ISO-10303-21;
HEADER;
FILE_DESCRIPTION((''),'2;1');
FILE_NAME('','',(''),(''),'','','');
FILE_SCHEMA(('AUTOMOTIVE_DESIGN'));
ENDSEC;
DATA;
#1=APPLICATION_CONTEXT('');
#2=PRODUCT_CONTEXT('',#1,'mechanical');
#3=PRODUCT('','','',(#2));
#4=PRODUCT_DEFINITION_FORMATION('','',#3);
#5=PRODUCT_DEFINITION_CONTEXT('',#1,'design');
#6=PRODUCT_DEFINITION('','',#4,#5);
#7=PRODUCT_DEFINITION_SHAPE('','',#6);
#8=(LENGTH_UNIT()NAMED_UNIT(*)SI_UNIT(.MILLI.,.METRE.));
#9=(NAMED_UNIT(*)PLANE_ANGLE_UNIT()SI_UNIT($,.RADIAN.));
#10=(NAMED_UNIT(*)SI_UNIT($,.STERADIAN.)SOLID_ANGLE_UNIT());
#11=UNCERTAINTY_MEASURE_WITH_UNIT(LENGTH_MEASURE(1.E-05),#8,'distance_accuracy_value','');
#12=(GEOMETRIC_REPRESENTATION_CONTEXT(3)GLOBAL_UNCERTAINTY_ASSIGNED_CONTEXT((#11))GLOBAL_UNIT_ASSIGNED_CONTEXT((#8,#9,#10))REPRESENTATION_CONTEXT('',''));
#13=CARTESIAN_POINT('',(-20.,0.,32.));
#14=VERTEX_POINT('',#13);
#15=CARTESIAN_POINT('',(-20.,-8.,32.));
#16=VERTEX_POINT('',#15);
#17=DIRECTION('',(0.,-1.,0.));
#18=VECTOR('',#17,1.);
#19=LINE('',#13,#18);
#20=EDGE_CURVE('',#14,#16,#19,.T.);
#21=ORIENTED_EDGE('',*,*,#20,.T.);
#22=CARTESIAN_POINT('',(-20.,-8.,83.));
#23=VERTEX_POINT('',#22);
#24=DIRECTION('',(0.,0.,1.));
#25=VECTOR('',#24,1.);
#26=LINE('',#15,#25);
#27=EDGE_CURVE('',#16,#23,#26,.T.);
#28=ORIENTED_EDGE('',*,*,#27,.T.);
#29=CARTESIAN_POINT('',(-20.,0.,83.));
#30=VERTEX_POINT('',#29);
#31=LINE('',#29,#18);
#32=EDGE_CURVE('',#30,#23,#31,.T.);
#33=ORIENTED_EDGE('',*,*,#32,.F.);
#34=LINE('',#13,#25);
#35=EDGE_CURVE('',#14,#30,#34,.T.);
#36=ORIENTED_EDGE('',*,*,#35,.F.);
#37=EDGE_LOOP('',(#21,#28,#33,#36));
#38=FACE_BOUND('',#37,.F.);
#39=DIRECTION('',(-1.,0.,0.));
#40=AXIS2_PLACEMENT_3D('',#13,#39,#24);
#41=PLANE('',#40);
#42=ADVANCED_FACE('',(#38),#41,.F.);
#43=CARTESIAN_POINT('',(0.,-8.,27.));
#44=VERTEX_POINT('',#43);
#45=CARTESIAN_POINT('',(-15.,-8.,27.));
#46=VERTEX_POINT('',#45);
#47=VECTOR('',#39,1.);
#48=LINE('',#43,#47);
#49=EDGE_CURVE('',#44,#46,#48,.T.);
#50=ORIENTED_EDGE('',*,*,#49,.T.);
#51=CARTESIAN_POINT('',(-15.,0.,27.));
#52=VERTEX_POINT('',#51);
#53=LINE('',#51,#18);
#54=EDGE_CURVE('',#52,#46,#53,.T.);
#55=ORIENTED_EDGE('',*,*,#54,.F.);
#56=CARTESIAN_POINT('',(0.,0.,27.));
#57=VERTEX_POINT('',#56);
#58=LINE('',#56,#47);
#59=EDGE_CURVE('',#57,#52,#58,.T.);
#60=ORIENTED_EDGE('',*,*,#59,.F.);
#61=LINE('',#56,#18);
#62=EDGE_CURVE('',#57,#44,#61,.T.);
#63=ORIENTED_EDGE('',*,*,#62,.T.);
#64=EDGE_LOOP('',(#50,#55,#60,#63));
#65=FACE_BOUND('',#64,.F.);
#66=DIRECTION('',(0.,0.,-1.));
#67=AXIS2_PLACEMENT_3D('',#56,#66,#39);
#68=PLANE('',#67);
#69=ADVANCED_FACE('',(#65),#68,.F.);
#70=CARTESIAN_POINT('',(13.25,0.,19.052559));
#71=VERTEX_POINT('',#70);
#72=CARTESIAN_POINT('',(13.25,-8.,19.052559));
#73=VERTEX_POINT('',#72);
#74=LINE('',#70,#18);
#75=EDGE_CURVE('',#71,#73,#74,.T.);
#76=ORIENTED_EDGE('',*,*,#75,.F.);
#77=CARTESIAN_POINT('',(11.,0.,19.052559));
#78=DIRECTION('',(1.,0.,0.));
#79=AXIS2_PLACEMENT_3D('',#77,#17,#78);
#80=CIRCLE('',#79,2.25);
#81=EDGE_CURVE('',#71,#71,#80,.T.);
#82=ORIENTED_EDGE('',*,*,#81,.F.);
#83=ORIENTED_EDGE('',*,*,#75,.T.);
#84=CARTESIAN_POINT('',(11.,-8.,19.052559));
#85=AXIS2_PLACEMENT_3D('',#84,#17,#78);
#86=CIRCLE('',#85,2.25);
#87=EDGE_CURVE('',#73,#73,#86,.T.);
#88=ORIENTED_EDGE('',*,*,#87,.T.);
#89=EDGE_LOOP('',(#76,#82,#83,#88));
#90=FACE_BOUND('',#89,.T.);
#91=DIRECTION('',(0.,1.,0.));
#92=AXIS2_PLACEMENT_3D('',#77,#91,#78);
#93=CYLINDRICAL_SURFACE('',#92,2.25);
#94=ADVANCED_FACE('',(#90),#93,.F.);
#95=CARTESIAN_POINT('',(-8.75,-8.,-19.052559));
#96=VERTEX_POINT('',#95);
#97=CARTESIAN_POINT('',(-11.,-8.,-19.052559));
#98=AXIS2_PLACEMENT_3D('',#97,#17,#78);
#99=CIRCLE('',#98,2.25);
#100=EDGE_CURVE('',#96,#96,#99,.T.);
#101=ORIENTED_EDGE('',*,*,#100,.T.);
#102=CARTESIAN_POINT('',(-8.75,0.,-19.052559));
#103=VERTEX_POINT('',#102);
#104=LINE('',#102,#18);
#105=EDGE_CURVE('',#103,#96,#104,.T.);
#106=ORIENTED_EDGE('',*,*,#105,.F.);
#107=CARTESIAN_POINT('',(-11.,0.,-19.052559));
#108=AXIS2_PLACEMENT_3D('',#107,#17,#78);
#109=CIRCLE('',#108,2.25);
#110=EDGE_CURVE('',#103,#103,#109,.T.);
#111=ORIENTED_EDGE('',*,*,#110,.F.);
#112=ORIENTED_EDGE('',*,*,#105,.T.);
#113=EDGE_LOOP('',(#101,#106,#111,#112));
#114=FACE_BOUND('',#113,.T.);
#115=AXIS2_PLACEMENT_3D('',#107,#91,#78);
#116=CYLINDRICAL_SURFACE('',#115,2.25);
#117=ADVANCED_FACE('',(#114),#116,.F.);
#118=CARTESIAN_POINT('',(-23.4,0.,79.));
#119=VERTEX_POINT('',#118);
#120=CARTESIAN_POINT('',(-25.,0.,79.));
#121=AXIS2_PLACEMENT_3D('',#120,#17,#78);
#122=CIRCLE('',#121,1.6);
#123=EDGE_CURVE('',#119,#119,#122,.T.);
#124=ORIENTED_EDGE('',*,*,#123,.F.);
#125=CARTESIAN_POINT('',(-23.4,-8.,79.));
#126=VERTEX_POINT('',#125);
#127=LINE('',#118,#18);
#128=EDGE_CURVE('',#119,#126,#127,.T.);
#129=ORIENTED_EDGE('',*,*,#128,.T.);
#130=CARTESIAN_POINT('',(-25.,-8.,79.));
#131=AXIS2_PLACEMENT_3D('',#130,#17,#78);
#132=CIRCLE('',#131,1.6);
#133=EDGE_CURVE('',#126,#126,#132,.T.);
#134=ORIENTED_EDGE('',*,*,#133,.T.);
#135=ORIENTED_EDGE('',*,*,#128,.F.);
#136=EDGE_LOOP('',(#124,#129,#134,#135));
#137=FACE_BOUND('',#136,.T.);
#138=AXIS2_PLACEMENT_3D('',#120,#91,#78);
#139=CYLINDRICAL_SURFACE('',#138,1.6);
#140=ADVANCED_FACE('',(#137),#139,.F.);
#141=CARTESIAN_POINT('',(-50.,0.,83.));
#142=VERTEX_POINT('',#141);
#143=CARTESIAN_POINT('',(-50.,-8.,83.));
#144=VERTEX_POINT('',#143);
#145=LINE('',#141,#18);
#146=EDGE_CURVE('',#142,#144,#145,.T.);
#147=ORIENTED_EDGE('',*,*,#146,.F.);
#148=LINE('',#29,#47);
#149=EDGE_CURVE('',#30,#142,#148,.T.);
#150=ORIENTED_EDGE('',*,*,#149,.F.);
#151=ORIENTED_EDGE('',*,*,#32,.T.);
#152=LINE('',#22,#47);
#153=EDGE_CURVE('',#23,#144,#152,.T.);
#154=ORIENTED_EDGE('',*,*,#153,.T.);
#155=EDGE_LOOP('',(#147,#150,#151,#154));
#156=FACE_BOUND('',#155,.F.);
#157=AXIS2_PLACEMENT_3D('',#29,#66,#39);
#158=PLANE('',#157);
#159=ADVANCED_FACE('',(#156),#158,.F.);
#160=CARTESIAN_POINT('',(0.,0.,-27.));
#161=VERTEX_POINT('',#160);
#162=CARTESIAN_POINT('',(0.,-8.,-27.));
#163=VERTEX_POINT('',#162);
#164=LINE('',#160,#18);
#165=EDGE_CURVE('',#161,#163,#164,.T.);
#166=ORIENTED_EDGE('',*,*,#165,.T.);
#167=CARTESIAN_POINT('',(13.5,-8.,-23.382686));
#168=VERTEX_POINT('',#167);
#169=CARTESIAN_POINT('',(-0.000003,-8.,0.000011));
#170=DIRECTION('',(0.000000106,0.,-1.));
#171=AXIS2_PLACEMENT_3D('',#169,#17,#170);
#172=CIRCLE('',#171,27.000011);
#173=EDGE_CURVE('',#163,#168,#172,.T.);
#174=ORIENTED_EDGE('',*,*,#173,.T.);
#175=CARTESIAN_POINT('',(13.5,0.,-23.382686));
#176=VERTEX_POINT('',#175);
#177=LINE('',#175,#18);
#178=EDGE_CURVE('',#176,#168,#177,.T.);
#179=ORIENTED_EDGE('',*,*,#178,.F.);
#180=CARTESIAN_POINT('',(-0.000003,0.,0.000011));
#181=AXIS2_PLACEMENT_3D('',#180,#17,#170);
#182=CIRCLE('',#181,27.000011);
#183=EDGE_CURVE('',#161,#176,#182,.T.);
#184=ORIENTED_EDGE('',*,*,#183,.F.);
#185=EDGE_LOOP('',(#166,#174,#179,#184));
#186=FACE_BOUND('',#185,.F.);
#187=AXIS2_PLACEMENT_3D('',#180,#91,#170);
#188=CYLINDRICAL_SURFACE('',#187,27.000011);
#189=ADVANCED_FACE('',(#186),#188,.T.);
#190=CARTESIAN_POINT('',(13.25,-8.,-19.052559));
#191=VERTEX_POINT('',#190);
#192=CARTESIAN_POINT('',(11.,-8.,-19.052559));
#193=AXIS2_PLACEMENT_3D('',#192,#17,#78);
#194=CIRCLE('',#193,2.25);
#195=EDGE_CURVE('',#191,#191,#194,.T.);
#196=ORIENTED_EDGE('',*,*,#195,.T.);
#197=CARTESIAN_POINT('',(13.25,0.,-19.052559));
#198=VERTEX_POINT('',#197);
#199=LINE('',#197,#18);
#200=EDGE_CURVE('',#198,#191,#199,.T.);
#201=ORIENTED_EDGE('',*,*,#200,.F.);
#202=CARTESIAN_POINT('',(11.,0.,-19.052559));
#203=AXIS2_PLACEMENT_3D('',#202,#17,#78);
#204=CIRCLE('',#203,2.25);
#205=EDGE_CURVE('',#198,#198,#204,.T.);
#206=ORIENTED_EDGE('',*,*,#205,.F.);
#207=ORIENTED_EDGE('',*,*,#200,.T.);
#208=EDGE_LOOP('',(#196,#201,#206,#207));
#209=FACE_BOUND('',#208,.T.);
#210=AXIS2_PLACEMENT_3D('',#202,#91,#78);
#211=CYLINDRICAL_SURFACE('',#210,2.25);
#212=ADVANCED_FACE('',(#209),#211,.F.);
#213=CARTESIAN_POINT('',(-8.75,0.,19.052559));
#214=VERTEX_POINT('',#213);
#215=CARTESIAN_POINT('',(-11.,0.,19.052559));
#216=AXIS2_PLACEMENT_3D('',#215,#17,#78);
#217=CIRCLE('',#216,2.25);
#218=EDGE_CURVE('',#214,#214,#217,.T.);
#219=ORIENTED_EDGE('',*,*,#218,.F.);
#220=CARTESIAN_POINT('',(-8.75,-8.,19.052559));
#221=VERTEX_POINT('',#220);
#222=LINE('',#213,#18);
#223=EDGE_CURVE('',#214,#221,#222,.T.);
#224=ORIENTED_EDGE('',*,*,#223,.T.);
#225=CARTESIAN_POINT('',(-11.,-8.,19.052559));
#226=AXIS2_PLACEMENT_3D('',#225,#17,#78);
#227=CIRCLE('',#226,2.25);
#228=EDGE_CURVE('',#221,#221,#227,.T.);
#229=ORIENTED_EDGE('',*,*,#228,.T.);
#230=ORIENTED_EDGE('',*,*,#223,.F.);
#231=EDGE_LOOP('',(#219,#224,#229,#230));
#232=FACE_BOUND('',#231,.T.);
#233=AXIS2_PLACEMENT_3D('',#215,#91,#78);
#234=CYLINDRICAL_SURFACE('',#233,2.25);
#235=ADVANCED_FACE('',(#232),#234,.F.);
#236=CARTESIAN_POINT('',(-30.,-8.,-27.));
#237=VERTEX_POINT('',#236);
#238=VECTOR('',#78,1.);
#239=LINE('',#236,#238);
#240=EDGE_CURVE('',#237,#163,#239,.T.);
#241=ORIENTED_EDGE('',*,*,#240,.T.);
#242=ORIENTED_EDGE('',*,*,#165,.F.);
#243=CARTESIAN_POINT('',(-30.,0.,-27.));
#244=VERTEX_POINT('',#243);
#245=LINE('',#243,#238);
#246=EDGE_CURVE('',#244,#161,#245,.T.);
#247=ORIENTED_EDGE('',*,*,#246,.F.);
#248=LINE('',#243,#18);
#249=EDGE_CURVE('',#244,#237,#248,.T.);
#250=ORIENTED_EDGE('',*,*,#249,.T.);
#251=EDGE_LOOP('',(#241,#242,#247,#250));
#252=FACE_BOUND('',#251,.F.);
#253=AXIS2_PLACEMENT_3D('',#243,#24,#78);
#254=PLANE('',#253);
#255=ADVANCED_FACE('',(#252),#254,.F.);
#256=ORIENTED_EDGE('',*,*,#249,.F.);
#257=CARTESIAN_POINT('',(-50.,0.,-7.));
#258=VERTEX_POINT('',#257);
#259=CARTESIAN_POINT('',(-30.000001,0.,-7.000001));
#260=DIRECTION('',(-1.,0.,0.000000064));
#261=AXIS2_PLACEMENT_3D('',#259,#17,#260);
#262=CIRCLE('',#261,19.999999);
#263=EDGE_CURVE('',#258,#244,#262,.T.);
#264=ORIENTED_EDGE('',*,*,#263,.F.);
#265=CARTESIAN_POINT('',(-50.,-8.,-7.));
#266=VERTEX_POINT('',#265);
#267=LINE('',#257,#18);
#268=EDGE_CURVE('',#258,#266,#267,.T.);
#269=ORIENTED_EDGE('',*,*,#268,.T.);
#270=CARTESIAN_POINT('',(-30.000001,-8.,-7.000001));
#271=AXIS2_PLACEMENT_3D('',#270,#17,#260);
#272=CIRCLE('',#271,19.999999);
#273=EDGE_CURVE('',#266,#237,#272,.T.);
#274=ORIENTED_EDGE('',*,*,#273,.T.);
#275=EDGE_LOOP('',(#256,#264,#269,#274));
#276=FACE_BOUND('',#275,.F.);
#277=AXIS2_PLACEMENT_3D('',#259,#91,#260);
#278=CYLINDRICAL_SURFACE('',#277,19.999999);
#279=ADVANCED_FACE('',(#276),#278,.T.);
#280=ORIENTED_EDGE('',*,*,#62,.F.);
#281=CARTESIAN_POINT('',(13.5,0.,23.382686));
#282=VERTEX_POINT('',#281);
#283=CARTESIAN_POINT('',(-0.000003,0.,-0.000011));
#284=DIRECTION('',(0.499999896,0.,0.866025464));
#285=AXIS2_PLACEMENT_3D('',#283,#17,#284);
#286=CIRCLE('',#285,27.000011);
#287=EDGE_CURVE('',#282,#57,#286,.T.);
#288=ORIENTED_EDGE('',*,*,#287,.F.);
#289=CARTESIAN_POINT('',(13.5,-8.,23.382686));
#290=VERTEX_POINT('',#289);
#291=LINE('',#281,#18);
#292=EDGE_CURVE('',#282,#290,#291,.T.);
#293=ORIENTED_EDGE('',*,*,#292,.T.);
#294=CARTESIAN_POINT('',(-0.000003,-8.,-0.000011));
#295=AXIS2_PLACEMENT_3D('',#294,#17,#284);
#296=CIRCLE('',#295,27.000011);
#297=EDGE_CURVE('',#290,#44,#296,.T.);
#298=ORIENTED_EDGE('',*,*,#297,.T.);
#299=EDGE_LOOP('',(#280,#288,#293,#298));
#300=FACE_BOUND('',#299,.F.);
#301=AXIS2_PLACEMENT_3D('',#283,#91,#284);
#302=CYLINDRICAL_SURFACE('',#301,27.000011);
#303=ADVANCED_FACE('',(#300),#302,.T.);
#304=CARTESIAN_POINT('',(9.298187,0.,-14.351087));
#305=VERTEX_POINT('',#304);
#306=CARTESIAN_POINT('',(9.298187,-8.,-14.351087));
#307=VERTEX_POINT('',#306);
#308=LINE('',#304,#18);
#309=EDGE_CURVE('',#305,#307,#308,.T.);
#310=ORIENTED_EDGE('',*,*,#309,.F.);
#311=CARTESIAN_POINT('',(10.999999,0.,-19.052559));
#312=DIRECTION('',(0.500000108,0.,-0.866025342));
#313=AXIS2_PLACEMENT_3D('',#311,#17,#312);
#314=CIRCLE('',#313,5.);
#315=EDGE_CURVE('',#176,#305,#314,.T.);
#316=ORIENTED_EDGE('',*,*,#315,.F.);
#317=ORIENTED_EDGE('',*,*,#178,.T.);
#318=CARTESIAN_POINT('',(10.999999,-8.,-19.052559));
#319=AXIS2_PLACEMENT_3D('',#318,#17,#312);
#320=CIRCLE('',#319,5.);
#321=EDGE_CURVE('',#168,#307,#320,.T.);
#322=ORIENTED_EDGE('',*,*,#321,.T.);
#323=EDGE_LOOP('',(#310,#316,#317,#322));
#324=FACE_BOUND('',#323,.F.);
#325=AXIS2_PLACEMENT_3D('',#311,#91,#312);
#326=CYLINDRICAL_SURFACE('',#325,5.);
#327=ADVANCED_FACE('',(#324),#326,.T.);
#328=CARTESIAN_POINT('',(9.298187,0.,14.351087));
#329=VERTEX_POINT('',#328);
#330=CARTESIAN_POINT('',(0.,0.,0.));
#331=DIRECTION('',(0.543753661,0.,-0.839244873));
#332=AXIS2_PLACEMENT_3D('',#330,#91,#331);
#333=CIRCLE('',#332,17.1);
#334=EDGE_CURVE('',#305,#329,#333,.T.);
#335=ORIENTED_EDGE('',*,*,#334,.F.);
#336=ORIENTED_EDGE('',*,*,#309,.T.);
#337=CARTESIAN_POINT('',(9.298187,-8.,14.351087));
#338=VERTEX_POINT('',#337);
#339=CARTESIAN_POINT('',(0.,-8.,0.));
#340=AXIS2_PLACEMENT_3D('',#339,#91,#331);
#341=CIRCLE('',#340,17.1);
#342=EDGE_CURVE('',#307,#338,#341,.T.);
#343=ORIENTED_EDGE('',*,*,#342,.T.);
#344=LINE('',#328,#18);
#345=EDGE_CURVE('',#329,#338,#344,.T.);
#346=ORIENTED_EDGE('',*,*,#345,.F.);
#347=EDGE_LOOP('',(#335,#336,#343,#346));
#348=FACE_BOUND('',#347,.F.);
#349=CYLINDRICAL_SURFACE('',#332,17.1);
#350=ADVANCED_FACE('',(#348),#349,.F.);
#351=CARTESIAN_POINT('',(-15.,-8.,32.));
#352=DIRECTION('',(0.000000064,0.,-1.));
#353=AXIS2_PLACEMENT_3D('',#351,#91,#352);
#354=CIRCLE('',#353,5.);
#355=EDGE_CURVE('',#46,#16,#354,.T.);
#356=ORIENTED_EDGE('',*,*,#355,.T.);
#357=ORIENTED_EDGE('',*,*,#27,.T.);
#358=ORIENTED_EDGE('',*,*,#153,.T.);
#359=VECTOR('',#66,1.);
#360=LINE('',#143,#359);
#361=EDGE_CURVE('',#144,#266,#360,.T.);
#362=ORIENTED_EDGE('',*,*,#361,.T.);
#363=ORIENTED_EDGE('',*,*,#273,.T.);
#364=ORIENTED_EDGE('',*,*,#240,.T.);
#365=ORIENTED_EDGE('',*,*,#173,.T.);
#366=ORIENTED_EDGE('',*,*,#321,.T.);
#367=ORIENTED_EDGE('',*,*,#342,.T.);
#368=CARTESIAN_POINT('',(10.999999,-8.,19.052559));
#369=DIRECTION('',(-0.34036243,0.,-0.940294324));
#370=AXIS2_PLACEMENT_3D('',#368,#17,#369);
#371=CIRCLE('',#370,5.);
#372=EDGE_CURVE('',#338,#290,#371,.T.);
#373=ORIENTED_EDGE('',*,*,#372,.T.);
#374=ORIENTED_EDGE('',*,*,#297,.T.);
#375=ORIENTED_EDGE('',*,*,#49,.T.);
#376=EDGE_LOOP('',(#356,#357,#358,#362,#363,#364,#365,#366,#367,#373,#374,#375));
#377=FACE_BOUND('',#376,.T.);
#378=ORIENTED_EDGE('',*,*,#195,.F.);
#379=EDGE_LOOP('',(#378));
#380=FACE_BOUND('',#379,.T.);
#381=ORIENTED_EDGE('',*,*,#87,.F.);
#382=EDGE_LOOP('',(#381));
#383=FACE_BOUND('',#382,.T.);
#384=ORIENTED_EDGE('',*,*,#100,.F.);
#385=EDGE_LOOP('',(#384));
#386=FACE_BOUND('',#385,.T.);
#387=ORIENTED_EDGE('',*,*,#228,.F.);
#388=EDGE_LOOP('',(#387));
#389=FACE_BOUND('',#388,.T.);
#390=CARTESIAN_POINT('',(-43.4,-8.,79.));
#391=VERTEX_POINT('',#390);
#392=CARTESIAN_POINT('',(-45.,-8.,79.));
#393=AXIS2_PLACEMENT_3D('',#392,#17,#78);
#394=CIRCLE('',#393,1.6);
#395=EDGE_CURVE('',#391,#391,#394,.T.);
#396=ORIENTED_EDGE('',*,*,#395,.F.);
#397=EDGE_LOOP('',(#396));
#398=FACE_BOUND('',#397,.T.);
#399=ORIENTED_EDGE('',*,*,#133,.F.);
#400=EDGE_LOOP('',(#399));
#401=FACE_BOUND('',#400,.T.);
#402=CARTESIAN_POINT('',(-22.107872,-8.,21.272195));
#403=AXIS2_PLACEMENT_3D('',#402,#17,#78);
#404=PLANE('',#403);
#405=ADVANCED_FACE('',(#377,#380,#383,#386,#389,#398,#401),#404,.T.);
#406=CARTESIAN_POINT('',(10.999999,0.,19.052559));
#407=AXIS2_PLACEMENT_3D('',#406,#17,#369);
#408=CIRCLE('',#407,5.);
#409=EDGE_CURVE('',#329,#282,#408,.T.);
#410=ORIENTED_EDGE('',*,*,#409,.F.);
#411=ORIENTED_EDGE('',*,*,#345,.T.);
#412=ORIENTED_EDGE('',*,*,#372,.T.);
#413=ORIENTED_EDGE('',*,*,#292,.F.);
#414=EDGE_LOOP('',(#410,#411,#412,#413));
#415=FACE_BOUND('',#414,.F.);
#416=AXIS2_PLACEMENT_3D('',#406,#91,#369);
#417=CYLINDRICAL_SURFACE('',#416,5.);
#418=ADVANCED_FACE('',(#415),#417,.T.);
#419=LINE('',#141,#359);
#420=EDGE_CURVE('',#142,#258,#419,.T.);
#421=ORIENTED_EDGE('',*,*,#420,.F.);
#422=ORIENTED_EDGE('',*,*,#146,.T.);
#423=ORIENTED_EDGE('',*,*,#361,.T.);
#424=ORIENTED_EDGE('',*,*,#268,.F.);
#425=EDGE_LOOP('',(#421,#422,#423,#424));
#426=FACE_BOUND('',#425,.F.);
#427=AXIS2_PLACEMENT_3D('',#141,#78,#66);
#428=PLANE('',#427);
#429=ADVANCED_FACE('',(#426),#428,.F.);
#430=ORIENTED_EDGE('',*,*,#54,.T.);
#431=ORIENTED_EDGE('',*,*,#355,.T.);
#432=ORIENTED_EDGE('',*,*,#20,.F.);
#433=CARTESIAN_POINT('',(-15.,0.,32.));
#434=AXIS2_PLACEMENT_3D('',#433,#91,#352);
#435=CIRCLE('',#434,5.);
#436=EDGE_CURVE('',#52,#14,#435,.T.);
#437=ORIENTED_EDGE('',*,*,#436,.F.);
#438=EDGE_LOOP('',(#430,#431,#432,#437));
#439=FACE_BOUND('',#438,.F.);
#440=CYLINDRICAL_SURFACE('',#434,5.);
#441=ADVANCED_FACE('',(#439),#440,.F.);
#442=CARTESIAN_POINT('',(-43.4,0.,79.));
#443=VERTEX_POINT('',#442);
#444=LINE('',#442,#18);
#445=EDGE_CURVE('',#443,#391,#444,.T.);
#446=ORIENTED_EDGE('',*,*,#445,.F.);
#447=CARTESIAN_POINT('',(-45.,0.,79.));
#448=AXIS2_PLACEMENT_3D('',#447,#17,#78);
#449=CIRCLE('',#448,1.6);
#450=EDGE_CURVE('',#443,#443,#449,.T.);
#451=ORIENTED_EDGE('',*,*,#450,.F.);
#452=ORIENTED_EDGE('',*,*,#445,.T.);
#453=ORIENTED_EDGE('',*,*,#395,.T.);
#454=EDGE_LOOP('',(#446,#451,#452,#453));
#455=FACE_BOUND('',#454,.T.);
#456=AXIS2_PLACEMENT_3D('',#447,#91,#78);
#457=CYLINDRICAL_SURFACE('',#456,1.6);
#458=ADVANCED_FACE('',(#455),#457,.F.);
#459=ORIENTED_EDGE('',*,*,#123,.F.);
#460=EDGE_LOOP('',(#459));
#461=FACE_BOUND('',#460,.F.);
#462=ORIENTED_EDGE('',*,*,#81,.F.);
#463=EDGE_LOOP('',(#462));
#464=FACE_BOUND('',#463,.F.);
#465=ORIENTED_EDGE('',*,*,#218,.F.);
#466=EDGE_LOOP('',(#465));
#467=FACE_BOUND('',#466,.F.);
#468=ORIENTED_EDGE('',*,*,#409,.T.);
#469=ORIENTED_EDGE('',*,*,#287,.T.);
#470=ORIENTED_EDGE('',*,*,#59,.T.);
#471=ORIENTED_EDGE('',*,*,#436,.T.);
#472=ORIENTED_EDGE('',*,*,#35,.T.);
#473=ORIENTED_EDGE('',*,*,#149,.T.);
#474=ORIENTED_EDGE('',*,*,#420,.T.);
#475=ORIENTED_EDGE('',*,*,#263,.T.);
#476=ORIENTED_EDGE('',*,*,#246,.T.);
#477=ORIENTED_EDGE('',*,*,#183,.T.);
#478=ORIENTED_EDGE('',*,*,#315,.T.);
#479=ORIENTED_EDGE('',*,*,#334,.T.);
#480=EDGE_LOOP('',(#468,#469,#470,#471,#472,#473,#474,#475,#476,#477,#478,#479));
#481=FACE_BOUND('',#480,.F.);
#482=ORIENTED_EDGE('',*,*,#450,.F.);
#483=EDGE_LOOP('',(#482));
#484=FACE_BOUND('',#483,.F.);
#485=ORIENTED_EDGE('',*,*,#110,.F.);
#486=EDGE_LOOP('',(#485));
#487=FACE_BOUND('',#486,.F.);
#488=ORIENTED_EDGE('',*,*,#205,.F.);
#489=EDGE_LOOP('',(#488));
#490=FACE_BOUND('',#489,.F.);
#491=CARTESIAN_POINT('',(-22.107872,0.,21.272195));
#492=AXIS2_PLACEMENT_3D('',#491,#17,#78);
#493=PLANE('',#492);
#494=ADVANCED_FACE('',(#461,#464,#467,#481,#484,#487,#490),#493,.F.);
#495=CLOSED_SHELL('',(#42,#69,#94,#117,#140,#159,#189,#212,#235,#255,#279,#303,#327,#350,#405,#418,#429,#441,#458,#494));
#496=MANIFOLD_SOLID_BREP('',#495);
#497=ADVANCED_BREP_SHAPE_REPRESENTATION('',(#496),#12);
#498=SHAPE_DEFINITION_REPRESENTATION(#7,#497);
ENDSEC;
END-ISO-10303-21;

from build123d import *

# Parameters (mm, degrees)
F0_R     = 2.25
F0_R_2   = 1.6
F1_DEPTH = 8


with BuildPart() as f1:
    # F0 (on Front) → F1 (new body)
    with BuildSketch(Plane.XZ):
        with BuildLine():
            ThreePointArc((9.298187, -14.351087), (-17.1, 0), (9.298187, 14.351087))
            ThreePointArc((9.298187, 14.351087), (15.5334, 16.943464), (13.5, 23.382686))
            ThreePointArc((13.5, 23.382686), (6.988114, 26.079997), (0, 27))
            Line((0, 27), (-15, 27))
            ThreePointArc((-15, 27), (-18.535534, 28.464466), (-20, 32))
            Line((-20, 32), (-20, 83))
            Line((-20, 83), (-50, 83))
            Line((-50, 83), (-50, -7))
            ThreePointArc((-50, -7), (-44.142136, -21.142136), (-30, -27))
            Line((-30, -27), (0, -27))
            ThreePointArc((0, -27), (6.988114, -26.079997), (13.5, -23.382686))
            ThreePointArc((13.5, -23.382686), (15.5334, -16.943464), (9.298187, -14.351087))
        make_face()
        with Locations((-11, -19.052559)):
            Circle(F0_R, mode=Mode.SUBTRACT)
        with Locations((11, -19.052559)):
            Circle(F0_R, mode=Mode.SUBTRACT)
        with Locations((-11, 19.052559)):
            Circle(F0_R, mode=Mode.SUBTRACT)
        with Locations((11, 19.052559)):
            Circle(F0_R, mode=Mode.SUBTRACT)
        with Locations((-45, 79)):
            Circle(F0_R_2, mode=Mode.SUBTRACT)
        with Locations((-25, 79)):
            Circle(F0_R_2, mode=Mode.SUBTRACT)
    extrude(amount=F1_DEPTH)


solid = f1.part
